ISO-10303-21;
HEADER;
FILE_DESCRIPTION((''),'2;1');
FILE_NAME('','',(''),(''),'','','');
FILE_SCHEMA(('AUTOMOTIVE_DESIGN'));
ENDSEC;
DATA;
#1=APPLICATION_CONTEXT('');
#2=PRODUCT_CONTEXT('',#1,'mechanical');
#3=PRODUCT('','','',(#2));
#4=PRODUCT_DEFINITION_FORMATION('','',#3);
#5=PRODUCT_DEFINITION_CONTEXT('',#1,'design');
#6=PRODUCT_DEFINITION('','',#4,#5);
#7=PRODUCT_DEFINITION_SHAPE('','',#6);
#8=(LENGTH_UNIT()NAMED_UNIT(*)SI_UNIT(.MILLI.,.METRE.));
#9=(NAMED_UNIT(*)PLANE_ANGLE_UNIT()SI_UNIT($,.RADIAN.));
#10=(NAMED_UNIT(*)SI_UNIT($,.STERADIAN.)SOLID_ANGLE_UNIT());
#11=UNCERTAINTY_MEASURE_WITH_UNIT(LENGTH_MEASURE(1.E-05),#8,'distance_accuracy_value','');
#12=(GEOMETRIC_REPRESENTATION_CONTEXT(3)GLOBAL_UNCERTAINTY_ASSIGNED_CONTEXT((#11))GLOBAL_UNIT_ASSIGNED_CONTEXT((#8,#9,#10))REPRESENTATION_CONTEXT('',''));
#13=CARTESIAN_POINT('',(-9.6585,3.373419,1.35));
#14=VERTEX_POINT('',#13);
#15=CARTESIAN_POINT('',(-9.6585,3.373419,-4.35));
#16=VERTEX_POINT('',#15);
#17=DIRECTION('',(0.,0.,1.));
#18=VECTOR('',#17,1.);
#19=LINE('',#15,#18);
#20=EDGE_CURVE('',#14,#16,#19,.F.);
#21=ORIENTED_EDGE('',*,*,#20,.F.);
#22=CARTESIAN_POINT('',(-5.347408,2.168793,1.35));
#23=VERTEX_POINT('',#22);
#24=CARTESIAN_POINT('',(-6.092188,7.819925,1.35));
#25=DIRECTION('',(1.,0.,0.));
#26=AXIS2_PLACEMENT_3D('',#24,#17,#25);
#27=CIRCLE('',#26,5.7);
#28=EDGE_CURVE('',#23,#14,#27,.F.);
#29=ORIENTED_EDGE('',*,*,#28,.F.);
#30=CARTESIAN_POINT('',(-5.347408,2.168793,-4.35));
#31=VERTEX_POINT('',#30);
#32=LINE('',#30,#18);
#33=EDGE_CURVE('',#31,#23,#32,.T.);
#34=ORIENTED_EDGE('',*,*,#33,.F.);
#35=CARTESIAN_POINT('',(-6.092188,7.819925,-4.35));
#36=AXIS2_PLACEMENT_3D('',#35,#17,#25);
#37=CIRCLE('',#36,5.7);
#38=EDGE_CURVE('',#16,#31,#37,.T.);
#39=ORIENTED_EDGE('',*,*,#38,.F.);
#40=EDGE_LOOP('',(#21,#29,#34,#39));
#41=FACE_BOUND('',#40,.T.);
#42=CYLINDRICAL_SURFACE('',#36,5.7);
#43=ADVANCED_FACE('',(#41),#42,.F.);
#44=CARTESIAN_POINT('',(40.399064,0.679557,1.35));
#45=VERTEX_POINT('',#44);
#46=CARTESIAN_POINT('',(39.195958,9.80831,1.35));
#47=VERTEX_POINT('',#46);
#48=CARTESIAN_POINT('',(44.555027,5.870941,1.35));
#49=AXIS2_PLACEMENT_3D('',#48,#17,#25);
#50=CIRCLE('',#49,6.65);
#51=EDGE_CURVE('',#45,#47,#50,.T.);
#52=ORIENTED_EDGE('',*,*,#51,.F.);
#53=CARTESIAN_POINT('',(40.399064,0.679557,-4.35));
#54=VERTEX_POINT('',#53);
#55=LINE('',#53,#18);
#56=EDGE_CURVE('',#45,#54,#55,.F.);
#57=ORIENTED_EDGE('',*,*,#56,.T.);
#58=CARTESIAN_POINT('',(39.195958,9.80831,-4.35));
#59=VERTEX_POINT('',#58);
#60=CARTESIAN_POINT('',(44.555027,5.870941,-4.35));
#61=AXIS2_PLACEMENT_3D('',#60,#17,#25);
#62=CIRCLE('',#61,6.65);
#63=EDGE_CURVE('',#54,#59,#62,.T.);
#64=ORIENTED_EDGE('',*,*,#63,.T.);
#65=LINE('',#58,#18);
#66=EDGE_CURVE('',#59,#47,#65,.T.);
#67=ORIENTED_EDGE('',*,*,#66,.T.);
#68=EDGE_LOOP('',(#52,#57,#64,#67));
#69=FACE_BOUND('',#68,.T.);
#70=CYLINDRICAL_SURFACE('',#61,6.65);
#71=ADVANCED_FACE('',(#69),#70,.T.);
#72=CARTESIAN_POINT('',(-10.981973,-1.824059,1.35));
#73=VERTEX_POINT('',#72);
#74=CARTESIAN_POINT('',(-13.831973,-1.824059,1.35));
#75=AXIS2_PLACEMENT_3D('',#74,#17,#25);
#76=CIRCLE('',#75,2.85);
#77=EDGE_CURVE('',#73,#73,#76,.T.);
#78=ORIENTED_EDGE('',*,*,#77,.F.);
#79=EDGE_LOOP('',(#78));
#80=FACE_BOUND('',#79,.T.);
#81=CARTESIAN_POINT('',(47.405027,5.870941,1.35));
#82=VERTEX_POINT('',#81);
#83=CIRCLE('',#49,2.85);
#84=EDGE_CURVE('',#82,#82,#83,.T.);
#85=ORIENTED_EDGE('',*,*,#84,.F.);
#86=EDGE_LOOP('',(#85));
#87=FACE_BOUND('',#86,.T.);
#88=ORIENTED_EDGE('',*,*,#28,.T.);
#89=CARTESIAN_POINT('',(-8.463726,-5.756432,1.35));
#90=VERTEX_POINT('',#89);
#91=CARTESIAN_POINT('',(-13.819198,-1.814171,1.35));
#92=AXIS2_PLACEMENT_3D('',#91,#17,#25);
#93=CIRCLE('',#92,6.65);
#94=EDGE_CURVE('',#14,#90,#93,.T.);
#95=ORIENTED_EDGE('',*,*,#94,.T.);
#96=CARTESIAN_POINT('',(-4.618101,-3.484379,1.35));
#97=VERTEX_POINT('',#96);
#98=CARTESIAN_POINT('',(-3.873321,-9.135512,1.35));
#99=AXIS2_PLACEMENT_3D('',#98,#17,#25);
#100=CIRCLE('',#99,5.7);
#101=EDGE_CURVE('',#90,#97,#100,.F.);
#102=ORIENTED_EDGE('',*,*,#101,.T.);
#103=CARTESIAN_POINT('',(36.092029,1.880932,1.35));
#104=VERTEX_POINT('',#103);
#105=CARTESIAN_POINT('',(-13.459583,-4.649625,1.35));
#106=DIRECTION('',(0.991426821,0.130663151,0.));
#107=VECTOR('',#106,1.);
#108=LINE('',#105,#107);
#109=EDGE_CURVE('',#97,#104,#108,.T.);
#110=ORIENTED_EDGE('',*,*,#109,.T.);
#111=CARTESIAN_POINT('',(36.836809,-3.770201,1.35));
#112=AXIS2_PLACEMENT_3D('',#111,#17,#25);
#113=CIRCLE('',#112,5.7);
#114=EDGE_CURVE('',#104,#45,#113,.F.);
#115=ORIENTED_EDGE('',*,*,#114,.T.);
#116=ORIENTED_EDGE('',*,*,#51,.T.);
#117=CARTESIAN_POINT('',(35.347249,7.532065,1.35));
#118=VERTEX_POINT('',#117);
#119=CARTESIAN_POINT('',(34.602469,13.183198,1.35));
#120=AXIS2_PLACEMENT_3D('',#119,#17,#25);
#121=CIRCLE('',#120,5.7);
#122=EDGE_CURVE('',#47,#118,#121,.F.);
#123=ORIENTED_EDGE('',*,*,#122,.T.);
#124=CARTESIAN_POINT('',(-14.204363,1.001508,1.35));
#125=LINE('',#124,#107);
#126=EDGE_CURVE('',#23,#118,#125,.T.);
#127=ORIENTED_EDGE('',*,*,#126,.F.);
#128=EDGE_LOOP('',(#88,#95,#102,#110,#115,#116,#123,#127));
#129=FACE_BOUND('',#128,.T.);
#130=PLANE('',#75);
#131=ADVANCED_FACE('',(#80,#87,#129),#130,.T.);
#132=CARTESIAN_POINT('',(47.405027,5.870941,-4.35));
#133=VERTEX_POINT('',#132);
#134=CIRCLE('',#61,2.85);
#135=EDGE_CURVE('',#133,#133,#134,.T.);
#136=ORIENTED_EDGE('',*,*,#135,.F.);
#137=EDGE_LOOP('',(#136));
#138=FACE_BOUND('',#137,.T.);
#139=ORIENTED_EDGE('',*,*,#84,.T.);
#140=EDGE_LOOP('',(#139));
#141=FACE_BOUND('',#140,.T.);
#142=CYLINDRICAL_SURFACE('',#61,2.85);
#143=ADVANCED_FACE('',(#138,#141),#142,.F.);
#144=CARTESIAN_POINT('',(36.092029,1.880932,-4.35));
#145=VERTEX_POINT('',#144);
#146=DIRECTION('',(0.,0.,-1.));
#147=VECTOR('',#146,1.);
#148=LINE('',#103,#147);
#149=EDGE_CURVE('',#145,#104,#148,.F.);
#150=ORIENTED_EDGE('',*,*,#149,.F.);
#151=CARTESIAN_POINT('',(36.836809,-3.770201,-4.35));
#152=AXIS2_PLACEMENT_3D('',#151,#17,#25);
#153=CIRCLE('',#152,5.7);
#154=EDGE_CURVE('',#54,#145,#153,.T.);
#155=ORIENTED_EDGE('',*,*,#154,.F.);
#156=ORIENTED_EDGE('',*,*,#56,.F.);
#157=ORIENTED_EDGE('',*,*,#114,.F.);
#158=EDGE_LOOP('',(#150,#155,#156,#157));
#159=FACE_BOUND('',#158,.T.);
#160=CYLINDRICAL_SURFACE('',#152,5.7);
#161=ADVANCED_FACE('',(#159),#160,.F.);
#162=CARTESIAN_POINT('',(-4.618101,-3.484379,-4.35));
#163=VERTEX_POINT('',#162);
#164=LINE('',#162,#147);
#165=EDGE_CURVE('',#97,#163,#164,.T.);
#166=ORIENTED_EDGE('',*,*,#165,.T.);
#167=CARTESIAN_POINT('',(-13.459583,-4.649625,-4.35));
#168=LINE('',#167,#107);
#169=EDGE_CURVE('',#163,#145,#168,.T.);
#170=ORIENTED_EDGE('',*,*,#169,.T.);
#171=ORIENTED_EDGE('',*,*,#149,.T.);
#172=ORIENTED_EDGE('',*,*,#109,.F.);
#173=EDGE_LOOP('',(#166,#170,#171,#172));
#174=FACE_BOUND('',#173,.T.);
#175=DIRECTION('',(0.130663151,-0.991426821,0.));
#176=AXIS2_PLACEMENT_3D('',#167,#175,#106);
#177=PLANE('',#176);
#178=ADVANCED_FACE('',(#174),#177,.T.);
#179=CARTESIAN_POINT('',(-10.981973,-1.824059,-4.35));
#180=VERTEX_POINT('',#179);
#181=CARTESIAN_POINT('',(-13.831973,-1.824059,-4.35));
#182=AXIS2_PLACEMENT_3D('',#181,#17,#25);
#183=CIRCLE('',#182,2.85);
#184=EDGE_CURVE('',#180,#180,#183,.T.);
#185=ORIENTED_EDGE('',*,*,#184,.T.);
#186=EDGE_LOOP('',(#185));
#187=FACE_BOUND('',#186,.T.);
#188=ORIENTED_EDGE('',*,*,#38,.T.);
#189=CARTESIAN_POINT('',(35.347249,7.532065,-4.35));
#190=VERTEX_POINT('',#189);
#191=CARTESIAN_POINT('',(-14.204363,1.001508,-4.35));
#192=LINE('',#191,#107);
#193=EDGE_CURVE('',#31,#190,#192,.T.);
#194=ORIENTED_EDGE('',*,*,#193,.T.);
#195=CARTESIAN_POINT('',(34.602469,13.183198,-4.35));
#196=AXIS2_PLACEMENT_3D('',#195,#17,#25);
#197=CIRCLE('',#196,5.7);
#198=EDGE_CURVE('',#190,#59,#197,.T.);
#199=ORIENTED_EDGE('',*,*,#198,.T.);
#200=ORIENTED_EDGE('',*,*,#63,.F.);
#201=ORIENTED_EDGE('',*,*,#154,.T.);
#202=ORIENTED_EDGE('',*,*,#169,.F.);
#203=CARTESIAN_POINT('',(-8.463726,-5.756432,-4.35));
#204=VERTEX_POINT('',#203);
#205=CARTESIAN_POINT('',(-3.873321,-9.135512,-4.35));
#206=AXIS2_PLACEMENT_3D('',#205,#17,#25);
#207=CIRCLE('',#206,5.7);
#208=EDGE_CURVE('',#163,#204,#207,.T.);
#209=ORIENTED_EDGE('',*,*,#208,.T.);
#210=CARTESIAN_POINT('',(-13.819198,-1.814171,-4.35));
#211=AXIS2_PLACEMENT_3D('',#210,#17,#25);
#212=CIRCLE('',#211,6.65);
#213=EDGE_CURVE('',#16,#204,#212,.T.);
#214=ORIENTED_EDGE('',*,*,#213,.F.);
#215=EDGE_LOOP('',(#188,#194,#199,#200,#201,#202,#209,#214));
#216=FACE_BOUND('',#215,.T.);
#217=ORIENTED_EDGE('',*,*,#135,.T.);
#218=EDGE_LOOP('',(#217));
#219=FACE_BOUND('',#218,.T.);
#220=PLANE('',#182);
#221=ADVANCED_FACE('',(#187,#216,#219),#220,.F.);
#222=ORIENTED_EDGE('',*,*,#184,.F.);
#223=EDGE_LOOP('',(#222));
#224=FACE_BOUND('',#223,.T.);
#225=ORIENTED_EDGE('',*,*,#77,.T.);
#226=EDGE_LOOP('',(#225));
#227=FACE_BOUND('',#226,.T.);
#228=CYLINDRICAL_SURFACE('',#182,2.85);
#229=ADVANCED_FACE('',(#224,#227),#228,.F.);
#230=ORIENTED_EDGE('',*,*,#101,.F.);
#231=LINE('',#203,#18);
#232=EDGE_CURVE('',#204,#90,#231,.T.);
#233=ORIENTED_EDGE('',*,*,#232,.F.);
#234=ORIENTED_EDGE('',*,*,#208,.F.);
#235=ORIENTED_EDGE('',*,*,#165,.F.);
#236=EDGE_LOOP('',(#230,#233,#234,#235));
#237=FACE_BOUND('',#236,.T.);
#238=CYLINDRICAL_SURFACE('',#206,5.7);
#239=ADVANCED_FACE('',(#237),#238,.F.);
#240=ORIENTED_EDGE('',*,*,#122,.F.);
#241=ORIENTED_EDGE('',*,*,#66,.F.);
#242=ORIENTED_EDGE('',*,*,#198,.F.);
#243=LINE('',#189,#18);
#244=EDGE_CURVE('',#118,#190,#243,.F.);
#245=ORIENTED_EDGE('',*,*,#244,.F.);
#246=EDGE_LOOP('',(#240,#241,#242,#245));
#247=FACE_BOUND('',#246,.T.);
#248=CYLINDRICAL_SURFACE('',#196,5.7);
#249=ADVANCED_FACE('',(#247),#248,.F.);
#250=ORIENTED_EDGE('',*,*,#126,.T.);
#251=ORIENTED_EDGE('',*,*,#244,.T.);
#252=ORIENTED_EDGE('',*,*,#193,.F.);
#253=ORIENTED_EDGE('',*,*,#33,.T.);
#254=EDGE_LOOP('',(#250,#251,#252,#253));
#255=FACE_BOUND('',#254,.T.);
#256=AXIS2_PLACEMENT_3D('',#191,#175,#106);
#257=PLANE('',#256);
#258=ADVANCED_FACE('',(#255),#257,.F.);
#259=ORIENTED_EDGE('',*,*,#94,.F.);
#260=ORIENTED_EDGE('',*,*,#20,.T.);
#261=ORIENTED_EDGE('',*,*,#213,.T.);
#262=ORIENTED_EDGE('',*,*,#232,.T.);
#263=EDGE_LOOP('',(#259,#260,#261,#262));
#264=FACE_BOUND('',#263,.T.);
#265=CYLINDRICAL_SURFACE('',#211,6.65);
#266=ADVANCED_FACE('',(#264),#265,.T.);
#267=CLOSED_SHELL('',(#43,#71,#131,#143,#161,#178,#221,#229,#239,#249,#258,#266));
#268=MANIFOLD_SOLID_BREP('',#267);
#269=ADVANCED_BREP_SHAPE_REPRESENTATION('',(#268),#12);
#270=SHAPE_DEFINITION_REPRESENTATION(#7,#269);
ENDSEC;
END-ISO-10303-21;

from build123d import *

# Parameters (mm, degrees)
SKETCH1_R           = 1.5
BOSS_EXTRUDE1_DEPTH = 3
FILLET1_R           = 3
SCALE1_SCALE        = 1.9


with BuildPart() as part:
    # Sketch1 → Boss-Extrude1 (new body)
    with BuildSketch(Plane.XY):
        with BuildLine():
            Line((2.948464825, 1.901558102), (27.398838387, 5.123947068))
            ThreePointArc((27.398838387, 5.123947068), (34.199993873, 4.507321028), (27.790827839, 2.149666606))
            Line((27.790827839, 2.149666606), (3.336427979, -1.073252998))
            ThreePointArc((3.336427979, -1.073252998), (-3.463886078, -0.447419324), (2.948464825, 1.901558102))
        make_face()
        Circle(SKETCH1_R, mode=Mode.SUBTRACT)
        with Locations((30.73, 4.05)):
            Circle(SKETCH1_R, mode=Mode.SUBTRACT)
    extrude(amount=-BOSS_EXTRUDE1_DEPTH)

    # Fillet1
    fillet1_edges = [part.edges().sort_by_distance(p)[0] for p in [
        (3.336427979, -1.073252998, -1.5),
        (2.948464825, 1.901558102, -1.5),
        (27.398838387, 5.123947068, -1.5),
        (27.790827839, 2.149666606, -1.5),
    ]]
    fillet(fillet1_edges, radius=FILLET1_R)


with BuildPart() as part_1:
    # Scale1: scaled about (15.368858916, 2.026731994, -1.5)
    add(part.part.scale(SCALE1_SCALE).moved(Location((-13.831973024, -1.824058795, 1.35))))


solid = part_1.part
